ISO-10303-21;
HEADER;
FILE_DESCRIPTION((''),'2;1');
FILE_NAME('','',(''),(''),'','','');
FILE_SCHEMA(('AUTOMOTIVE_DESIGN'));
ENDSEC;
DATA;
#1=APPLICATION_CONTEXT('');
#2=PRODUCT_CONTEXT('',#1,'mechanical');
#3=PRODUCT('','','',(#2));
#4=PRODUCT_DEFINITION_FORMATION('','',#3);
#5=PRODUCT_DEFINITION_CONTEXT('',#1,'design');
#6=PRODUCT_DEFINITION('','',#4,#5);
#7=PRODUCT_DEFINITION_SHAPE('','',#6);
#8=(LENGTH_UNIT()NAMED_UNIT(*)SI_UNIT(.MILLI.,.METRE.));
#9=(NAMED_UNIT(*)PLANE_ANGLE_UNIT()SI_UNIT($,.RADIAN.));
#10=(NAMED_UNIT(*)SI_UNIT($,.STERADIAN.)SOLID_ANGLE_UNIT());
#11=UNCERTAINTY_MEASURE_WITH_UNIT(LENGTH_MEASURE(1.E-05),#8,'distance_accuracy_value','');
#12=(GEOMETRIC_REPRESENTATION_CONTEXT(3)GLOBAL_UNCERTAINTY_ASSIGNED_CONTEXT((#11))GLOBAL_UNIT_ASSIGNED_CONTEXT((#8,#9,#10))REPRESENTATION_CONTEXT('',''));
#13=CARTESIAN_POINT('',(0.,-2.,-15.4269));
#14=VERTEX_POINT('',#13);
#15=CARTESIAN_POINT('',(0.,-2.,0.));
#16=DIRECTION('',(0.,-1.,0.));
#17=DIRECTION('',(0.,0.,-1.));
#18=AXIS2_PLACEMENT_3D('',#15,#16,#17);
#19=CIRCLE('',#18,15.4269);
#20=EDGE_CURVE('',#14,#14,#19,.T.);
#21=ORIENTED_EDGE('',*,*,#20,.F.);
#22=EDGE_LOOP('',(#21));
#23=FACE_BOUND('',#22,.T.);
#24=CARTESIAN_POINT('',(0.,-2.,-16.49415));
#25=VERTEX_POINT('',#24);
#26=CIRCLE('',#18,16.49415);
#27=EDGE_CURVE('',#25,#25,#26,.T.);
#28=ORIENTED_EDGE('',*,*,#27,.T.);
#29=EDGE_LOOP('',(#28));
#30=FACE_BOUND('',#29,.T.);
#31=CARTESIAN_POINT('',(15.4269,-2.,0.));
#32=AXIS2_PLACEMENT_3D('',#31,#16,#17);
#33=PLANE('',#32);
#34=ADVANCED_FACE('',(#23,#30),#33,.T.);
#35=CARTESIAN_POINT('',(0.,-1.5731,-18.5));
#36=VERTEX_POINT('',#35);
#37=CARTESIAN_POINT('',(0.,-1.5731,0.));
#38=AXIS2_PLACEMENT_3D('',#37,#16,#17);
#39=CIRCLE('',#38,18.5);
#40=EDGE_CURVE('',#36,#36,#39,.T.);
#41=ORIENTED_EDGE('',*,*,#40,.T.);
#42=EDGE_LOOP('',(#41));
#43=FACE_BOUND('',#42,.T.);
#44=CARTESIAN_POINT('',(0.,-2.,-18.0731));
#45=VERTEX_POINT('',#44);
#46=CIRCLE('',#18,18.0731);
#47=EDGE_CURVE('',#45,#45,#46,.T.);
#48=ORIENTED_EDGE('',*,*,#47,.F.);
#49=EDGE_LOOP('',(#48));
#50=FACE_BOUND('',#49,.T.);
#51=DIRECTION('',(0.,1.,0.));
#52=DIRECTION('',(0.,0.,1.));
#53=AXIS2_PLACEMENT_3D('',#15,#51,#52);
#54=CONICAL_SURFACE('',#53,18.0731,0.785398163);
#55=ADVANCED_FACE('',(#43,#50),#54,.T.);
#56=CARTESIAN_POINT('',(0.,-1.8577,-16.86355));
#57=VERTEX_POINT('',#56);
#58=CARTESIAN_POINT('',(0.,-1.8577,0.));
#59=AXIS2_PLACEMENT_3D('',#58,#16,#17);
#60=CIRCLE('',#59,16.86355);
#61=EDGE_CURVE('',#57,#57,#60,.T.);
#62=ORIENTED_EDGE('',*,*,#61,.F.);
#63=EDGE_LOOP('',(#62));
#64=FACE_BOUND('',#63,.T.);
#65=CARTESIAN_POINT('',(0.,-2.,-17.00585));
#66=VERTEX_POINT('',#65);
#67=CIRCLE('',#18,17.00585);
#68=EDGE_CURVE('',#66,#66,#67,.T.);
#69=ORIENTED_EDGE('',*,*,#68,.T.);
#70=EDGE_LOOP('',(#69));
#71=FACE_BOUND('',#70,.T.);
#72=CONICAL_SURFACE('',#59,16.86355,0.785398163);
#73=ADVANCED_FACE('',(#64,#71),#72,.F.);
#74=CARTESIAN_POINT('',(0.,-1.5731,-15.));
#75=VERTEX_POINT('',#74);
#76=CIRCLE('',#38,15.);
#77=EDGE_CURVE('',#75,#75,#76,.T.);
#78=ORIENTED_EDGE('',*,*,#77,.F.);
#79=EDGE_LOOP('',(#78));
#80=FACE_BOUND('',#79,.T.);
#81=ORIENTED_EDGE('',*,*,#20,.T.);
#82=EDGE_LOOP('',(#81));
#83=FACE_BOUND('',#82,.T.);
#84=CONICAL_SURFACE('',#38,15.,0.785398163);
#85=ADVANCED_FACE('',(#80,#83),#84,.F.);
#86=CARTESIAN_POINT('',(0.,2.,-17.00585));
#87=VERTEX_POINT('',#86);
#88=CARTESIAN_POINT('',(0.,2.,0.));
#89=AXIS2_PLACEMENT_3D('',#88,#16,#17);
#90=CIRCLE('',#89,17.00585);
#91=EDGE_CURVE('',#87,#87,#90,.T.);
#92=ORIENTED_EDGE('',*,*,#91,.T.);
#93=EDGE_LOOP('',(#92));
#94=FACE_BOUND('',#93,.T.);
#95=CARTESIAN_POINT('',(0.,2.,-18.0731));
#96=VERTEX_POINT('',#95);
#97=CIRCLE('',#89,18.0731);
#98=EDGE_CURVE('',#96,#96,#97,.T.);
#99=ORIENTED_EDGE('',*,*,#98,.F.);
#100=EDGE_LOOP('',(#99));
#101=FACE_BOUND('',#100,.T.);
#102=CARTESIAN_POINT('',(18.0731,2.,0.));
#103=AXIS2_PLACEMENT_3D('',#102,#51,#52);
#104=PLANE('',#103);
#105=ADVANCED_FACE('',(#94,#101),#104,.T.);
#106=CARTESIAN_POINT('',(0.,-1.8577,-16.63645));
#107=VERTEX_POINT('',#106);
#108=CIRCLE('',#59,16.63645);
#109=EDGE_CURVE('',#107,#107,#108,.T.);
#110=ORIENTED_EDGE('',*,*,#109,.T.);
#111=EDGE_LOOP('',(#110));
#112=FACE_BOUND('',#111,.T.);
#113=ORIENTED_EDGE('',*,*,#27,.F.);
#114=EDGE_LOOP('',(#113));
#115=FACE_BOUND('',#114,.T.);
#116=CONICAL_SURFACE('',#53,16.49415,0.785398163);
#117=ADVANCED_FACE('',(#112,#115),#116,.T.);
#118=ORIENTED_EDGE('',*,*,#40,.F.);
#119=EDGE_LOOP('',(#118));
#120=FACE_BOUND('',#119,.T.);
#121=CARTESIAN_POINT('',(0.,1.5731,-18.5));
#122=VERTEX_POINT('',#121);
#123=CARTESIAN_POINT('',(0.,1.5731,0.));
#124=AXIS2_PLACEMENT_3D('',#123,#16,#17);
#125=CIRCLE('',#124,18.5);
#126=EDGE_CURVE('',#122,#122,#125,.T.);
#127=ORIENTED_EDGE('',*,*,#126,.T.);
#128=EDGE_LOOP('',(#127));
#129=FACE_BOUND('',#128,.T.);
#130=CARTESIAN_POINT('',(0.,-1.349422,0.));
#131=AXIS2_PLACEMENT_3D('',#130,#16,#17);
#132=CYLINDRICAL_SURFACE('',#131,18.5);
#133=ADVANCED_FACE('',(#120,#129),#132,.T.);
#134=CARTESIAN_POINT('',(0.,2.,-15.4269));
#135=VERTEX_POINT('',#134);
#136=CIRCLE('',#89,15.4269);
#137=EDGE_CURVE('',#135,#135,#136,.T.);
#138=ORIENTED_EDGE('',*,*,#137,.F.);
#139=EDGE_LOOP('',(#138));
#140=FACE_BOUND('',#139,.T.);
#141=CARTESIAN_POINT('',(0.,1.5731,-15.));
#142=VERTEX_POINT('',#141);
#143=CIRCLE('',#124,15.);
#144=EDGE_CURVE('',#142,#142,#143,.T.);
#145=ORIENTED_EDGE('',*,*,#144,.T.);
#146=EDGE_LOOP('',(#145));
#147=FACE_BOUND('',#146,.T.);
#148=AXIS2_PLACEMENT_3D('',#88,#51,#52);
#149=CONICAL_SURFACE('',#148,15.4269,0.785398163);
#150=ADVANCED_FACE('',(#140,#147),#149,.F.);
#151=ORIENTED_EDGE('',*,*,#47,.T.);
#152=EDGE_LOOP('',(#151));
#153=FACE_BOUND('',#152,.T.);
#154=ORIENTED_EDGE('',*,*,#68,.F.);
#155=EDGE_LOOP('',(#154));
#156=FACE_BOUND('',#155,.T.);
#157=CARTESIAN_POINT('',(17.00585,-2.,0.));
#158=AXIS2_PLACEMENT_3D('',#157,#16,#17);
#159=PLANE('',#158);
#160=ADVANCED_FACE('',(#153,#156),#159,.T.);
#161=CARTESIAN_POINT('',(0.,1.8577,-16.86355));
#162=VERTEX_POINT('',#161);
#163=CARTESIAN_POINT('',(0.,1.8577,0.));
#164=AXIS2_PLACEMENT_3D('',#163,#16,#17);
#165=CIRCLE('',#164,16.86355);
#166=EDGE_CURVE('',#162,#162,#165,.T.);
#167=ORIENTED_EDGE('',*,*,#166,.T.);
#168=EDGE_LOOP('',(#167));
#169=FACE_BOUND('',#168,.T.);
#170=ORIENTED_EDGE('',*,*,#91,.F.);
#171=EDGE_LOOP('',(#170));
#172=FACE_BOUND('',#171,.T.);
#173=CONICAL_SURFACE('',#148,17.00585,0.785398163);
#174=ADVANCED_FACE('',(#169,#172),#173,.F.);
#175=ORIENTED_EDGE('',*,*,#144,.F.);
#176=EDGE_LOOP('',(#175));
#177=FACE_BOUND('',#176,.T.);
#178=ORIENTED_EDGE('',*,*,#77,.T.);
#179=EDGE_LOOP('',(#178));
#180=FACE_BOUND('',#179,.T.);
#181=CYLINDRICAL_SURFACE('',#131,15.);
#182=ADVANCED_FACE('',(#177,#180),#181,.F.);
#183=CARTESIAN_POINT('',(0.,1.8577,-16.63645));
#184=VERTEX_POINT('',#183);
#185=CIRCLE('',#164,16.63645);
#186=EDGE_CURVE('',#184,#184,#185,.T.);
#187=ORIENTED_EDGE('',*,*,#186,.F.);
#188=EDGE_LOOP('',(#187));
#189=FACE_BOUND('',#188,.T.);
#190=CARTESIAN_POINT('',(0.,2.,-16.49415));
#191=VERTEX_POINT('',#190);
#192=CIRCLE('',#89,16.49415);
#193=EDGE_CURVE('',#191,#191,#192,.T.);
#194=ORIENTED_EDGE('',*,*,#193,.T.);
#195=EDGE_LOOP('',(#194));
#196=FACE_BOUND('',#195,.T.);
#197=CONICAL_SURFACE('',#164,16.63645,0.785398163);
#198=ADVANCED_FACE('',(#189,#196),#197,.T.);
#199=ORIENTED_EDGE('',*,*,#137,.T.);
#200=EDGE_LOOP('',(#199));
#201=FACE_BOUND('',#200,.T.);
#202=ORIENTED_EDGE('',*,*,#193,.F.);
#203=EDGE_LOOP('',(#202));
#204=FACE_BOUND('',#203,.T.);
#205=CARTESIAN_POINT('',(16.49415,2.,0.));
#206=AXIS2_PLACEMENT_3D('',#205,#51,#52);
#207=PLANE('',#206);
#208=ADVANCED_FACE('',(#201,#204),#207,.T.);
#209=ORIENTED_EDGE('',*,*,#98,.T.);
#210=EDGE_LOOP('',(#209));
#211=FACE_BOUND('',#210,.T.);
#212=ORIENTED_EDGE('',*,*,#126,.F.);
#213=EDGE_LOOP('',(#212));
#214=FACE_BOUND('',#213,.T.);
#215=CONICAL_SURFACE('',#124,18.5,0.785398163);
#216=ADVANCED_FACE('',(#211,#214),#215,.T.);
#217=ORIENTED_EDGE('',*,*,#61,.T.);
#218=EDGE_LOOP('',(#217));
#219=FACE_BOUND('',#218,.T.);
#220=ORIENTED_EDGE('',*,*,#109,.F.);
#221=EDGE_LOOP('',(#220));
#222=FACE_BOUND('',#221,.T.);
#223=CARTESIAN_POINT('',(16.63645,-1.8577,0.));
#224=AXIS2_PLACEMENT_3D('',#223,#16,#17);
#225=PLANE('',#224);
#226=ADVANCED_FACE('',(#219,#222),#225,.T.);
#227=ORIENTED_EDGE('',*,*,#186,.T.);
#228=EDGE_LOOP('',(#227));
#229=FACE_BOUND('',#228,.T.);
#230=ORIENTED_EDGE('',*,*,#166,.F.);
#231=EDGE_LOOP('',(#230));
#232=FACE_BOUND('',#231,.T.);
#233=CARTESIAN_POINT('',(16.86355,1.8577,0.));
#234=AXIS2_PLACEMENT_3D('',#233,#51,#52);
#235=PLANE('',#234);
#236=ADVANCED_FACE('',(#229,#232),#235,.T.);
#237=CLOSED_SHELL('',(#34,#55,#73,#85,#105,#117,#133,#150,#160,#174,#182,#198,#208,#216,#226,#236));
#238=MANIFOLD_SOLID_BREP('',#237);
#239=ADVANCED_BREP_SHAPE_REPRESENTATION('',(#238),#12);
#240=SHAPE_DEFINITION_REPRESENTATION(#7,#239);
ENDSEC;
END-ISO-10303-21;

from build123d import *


with BuildPart() as part:
    # Sketch1 → Revolve1 (revolve)
    with BuildSketch(Plane.XY):
        Polygon((15, 1.5731), (15, -1.5731), (15.4269, -2), (16.49415, -2), (16.63645, -1.8577), (16.86355, -1.8577), (17.00585, -2), (18.0731, -2), (18.5, -1.5731), (18.5, 1.5731), (18.0731, 2), (17.00585, 2), (16.86355, 1.8577), (16.63645, 1.8577), (16.49415, 2), (15.4269, 2), align=None)
    revolve(axis=Axis((0, -1.349421972, 0), (0, 1, 0)))


solid = part.part
